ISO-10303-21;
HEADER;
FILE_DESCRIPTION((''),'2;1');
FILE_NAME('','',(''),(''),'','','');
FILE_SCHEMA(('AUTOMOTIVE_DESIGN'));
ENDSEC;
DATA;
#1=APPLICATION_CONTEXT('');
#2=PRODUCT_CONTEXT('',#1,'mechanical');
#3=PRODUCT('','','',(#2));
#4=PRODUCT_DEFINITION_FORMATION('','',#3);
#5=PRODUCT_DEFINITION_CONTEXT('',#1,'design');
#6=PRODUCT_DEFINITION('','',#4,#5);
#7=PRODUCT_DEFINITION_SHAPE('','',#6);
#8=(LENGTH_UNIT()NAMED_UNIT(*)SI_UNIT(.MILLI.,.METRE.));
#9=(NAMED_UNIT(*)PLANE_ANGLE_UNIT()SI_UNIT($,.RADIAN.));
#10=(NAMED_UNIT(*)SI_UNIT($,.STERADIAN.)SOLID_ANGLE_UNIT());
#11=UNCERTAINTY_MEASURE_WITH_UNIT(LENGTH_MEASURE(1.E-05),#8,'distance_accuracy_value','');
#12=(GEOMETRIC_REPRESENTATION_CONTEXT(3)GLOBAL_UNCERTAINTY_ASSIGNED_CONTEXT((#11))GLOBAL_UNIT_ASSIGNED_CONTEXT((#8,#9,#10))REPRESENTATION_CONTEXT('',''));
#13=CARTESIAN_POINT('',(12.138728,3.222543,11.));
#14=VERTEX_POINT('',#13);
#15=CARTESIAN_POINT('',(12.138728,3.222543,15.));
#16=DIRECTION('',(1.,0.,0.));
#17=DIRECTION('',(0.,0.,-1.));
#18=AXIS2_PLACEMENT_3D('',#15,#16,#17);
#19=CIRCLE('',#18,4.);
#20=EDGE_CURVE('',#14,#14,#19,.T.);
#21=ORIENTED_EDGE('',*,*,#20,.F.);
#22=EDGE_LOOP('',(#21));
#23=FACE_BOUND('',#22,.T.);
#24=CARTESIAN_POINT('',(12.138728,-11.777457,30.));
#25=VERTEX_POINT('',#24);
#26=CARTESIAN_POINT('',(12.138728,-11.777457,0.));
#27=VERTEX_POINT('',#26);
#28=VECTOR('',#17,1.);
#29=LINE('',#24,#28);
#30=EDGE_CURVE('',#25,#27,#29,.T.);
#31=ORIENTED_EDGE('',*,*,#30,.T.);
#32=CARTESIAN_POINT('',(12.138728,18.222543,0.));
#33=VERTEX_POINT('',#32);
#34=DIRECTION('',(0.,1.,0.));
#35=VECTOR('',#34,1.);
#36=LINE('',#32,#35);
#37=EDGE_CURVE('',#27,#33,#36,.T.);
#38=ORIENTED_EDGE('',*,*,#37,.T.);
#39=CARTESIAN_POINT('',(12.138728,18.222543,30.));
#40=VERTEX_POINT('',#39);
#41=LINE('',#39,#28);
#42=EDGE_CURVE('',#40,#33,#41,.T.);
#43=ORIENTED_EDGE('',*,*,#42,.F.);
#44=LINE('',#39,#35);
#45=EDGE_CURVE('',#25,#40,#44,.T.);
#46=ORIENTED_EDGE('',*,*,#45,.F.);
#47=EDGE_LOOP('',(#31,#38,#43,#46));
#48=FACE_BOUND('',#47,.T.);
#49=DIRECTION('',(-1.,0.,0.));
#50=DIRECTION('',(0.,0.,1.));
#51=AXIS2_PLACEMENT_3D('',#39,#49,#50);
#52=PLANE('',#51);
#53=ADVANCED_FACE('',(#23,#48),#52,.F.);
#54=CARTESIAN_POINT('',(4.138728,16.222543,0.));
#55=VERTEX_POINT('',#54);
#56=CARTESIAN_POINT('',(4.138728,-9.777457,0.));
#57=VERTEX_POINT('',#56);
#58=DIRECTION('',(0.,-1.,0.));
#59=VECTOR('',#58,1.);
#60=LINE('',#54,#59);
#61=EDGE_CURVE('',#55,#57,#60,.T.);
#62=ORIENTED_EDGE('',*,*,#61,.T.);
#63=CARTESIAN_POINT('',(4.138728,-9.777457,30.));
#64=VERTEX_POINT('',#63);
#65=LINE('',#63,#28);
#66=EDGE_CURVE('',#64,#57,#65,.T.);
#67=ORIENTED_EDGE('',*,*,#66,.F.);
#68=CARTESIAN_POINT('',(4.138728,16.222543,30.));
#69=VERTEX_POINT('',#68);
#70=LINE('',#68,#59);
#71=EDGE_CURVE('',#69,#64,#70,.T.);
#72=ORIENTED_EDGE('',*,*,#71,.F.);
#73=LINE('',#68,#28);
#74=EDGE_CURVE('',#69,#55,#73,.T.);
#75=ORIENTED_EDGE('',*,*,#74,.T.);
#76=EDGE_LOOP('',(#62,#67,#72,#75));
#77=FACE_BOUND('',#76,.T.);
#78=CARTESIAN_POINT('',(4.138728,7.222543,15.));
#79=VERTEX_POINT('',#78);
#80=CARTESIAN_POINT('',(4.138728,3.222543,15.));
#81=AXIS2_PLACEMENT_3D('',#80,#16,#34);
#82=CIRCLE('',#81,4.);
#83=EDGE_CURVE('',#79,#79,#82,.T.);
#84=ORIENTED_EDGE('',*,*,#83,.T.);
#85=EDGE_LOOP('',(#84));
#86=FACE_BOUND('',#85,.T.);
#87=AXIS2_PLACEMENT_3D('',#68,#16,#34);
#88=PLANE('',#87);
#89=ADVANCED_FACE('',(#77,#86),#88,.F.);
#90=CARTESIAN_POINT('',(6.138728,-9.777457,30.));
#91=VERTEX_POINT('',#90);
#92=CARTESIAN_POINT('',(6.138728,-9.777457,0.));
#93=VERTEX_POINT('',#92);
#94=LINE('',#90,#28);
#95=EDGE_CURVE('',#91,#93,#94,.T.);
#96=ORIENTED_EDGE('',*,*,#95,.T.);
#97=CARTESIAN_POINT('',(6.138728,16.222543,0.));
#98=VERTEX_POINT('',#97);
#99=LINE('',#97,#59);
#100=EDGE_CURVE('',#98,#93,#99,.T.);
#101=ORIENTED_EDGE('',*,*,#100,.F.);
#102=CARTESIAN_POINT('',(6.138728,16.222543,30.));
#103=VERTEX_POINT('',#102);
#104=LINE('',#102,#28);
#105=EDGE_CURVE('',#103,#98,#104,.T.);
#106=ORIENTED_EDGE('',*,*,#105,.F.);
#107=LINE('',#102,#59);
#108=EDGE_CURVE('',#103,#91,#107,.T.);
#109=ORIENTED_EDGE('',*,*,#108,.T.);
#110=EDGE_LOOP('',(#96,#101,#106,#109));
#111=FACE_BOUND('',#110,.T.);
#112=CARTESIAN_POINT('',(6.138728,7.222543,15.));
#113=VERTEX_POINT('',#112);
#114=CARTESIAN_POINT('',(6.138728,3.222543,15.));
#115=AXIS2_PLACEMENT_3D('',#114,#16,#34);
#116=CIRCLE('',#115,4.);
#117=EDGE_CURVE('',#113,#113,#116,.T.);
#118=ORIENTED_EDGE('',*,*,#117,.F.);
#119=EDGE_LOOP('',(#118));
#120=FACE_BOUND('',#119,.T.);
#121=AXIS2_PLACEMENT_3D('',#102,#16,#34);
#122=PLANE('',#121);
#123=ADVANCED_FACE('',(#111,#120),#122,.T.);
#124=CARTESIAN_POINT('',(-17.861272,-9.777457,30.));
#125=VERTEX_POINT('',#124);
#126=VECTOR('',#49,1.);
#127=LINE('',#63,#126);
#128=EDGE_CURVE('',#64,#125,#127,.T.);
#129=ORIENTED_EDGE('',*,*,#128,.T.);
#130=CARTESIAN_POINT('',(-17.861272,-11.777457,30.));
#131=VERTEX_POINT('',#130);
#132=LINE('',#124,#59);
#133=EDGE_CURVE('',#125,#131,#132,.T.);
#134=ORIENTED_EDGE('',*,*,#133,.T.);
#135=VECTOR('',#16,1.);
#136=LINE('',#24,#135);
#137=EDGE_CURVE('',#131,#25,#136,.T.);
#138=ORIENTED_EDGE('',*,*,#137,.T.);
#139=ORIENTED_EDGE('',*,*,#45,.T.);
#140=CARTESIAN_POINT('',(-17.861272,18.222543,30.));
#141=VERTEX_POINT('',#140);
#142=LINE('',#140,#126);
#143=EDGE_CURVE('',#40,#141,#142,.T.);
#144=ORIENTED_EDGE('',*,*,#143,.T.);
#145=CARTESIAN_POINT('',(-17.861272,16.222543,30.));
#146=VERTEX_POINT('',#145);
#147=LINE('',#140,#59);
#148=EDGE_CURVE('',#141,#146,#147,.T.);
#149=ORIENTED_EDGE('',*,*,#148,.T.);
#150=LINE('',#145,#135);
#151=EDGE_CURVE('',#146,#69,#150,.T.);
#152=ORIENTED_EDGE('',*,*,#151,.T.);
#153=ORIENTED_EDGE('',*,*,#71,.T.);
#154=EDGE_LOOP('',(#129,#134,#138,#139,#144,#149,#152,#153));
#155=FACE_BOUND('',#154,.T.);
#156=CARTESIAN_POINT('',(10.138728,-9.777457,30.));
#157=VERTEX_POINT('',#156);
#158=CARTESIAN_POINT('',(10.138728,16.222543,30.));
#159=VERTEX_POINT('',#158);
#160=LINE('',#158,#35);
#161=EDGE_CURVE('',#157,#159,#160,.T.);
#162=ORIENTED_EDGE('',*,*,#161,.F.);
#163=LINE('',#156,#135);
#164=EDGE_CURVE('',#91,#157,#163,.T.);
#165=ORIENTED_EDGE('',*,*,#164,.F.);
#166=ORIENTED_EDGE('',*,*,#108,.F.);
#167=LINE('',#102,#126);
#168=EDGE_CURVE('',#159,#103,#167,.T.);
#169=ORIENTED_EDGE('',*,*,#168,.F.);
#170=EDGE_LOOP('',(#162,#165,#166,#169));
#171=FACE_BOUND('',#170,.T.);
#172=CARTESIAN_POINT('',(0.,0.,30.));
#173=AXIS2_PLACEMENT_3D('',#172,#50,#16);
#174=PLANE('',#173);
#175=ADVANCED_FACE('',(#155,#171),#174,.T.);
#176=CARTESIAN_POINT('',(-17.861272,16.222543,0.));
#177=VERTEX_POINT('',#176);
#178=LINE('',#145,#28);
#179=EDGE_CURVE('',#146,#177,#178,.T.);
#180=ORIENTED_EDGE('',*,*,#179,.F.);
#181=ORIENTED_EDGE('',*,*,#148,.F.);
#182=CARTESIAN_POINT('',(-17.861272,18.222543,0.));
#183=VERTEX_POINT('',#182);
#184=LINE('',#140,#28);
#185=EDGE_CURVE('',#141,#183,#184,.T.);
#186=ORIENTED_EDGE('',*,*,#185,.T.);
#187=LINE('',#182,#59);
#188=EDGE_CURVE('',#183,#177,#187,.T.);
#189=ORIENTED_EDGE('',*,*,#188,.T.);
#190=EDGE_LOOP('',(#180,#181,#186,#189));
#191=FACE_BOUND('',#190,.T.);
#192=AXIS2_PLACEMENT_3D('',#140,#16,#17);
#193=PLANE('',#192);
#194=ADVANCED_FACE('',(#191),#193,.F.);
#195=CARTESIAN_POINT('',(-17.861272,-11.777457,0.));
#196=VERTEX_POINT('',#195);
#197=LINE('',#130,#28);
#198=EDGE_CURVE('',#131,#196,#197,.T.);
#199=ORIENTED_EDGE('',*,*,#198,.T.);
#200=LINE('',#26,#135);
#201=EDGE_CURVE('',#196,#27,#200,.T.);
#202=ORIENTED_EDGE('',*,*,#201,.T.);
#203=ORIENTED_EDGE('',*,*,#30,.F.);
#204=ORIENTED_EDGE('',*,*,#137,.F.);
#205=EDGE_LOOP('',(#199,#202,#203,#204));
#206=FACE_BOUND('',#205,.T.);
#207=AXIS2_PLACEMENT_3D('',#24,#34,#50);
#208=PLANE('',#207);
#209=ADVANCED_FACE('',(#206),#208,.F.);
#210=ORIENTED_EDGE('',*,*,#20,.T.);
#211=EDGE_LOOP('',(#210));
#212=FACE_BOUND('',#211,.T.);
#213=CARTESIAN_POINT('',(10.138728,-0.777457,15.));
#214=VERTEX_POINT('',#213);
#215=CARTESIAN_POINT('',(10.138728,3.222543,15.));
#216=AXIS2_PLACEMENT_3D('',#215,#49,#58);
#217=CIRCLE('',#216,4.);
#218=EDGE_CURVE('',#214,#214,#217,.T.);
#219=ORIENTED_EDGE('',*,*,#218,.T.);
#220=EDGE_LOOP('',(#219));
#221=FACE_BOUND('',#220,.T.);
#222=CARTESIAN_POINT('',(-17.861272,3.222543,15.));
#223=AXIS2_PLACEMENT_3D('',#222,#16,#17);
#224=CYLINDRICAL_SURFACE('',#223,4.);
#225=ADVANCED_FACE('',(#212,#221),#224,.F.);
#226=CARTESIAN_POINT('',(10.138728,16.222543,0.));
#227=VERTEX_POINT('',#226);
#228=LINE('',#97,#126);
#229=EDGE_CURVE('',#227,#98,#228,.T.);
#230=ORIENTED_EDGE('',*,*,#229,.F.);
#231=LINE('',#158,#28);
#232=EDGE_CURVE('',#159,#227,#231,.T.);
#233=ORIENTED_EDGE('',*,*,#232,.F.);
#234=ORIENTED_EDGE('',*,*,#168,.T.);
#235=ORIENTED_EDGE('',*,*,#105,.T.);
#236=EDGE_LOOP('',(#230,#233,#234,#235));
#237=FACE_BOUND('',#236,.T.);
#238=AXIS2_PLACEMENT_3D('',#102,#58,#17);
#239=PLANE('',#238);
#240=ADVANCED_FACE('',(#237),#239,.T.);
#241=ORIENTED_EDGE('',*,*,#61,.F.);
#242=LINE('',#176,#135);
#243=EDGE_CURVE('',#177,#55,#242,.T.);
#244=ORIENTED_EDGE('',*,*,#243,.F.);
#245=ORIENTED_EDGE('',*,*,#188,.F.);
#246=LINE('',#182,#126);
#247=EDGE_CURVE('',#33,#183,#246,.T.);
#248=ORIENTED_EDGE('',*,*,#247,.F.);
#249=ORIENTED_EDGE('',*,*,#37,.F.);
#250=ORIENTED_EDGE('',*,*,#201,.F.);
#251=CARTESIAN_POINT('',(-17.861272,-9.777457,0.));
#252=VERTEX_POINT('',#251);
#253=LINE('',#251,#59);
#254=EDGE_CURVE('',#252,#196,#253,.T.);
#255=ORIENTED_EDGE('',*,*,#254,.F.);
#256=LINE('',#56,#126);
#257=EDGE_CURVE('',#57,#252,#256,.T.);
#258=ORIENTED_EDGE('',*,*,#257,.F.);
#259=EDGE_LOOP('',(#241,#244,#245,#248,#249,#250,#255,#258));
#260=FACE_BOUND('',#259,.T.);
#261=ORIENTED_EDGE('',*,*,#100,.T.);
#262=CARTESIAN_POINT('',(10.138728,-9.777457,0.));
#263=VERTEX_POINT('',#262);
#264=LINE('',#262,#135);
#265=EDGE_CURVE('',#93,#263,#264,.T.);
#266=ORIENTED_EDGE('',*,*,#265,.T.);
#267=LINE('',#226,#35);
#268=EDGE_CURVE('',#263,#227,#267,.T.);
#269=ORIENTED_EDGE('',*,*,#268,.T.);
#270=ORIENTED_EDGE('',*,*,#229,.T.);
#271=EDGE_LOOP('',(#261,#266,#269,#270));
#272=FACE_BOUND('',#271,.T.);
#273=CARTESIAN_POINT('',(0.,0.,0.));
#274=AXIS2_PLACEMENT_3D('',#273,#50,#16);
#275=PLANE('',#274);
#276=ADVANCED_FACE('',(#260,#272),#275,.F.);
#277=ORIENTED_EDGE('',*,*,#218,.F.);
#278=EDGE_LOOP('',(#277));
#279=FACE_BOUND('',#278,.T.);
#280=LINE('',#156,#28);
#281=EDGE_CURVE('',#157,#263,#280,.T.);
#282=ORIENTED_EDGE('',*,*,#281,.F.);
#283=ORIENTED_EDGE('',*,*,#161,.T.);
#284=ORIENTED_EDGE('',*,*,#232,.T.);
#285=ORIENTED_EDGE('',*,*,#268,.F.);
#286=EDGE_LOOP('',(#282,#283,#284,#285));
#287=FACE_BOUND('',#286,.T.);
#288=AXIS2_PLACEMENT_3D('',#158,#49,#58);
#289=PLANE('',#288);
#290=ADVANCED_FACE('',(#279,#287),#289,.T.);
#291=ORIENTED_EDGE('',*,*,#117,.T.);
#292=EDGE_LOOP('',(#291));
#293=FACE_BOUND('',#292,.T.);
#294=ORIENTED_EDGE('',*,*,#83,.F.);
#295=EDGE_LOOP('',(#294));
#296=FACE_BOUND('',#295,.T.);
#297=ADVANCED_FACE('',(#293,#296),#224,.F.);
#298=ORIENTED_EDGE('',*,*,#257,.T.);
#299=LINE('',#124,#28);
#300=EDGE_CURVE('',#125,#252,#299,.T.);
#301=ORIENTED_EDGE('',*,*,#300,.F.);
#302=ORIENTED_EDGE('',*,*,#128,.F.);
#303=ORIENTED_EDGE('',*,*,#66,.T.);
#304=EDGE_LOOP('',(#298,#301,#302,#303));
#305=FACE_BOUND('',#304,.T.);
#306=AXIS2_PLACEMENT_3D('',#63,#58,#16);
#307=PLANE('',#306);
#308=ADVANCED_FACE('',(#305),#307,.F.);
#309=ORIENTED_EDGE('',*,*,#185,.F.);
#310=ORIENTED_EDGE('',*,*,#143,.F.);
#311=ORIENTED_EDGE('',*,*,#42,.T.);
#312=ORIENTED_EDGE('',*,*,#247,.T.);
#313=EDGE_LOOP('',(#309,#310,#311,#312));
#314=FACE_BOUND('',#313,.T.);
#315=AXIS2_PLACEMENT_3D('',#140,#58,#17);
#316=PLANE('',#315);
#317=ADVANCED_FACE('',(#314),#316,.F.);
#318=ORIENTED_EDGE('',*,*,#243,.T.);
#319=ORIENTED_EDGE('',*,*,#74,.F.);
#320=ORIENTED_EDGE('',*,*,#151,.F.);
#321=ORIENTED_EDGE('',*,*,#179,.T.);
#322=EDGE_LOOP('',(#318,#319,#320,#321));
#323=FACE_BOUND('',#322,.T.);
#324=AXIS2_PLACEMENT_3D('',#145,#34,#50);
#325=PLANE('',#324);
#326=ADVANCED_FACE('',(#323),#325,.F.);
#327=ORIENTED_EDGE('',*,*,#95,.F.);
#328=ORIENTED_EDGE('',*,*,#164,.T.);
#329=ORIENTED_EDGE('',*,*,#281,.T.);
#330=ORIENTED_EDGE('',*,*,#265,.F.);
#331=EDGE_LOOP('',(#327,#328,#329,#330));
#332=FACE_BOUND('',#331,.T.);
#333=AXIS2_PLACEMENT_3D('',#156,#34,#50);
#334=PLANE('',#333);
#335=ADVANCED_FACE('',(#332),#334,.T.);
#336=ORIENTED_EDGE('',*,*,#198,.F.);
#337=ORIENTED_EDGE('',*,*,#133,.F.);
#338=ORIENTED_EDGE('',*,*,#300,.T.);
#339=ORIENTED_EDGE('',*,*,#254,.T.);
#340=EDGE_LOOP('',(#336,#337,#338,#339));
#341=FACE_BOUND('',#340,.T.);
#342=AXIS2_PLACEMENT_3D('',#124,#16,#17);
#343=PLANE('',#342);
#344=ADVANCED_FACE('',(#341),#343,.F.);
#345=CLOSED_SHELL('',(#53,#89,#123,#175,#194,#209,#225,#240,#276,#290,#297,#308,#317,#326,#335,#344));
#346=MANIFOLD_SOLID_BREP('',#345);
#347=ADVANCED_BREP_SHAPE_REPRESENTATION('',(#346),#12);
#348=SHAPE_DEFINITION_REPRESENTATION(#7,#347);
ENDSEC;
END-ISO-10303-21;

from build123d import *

# Parameters (mm, degrees)
SKETCH1_W           = 4
SKETCH1_H           = 26
BOSS_EXTRUDE1_DEPTH = 30
SKETCH2_R           = 4
CUT_EXTRUDE1_DEPTH  = 30


with BuildPart() as part:
    # Sketch1 → Boss-Extrude1 (new body)
    with BuildSketch(Plane.XY):
        Polygon((-17.861271676, 18.222543353), (12.138728324, 18.222543353), (12.138728324, -11.777456647), (-17.861271676, -11.777456647), (-17.861271676, -9.777456647), (4.138728324, -9.777456647), (4.138728324, 16.222543353), (-17.861271676, 16.222543353), align=None)
        with Locations((8.138728324, 3.222543353)):
            Rectangle(SKETCH1_W, SKETCH1_H, mode=Mode.SUBTRACT)
    extrude(amount=BOSS_EXTRUDE1_DEPTH)

    # Sketch2 → Cut-Extrude1 (cut)
    with BuildSketch(Plane(origin=(12.138728324, 0, 0), x_dir=(0, 0, -1), z_dir=(1, 0, 0))):
        with Locations((-15, 3.222543353)):
            Circle(SKETCH2_R)
    extrude(amount=-CUT_EXTRUDE1_DEPTH, mode=Mode.SUBTRACT)


solid = part.part
